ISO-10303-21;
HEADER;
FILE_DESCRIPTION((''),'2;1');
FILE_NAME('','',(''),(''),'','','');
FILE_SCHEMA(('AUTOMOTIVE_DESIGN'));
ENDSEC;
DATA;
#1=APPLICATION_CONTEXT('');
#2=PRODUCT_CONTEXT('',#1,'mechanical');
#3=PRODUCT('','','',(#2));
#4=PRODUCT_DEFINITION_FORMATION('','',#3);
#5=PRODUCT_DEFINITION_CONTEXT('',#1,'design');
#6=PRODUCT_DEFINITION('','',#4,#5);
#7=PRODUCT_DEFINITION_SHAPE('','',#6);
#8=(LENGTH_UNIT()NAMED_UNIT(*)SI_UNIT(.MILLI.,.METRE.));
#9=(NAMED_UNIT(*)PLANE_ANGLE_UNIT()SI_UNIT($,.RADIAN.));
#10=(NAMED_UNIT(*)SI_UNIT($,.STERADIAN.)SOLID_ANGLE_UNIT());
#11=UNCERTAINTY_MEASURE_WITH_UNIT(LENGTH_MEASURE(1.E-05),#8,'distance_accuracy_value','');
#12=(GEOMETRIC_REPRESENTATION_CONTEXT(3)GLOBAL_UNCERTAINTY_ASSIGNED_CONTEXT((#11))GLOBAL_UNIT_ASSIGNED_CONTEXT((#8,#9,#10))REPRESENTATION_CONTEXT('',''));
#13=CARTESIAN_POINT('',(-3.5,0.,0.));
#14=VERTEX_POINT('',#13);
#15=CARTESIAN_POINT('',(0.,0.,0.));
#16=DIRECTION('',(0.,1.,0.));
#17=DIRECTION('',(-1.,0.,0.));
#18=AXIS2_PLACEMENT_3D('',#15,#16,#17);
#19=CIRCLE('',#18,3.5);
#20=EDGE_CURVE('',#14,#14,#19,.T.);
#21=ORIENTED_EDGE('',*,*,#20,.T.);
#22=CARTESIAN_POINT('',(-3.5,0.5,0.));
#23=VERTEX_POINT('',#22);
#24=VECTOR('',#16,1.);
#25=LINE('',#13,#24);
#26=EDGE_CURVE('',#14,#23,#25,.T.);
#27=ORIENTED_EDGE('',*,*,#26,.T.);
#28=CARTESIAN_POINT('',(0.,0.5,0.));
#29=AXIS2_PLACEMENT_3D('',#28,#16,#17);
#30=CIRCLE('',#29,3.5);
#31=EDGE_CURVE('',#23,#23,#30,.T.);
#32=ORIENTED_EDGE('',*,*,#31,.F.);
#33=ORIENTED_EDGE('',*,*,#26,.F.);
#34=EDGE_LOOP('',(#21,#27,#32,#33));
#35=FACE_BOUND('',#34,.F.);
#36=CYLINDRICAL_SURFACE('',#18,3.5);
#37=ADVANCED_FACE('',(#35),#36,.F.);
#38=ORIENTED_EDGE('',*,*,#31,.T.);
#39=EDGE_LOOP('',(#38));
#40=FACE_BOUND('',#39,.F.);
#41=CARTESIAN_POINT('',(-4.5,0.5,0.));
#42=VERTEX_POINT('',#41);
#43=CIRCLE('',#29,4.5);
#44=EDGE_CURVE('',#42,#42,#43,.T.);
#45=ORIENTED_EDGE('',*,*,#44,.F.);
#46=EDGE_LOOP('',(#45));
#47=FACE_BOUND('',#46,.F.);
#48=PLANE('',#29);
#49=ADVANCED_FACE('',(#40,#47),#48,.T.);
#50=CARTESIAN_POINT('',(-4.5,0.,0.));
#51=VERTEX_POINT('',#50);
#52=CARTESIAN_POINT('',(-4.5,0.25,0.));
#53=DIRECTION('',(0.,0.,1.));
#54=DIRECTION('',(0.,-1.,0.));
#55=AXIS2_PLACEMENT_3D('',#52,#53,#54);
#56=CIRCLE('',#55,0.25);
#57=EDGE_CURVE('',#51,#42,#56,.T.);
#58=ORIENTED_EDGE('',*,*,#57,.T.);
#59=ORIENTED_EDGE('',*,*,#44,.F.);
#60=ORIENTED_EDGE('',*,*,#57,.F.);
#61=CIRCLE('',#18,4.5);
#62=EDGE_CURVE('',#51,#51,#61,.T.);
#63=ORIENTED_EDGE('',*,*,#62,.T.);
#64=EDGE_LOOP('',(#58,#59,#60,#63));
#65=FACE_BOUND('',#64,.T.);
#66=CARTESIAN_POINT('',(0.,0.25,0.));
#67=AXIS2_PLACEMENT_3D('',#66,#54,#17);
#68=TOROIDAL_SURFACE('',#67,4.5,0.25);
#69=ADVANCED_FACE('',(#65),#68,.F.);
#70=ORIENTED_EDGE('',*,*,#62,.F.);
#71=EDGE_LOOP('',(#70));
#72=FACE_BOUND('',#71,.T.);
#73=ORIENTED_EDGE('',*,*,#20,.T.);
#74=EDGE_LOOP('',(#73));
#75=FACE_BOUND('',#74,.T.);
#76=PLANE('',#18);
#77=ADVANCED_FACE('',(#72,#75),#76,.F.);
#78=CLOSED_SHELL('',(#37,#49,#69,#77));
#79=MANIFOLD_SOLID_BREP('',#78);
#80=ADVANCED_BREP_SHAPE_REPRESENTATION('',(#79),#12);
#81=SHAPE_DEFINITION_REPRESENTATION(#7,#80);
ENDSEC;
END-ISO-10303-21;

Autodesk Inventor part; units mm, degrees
ref_plane "YZ Plane" through (0, 0, 0) normal (1, 0, 0) x (0, 1, 0)
ref_plane "XZ Plane" through (0, 0, 0) normal (0, 1, 0) x (-1, 0, 0)
ref_plane "XY Plane" through (0, 0, 0) normal (0, 0, 1) x (1, 0, 0)
sketch "Sketch1" plane through (0, 0, 0) normal (0, 0, 1) x (1, 0, 0)
  line L0 (-3.5, 0) -> (-3.5, 0.5)
  line L1 (-3.5, 0.5) -> (-4.5, 0.5)
  line L2 (-3.5, 0) -> (-4.5, 0)
  arc A0 (-4.5, 0) -> (-4.5, 0.5) centre (-4.5, 0.25) ccw
  line L3 (0, -0.1) -> (0, 0.6) projected
  point P0 (0, 0)
  dimension "d0" = 0.25
  dimension "d1" = 1
  dimension "d2" = 3.5
  dimension "d3" = 0.5
revolve "Revolution1" add sketch "Sketch1" angle 360 about axis through (0, -10, 0) along (0, 1, 0)
properties part number "TorsOsc-2025-Cell-PCBGlue" material "Epoxy Resin"
